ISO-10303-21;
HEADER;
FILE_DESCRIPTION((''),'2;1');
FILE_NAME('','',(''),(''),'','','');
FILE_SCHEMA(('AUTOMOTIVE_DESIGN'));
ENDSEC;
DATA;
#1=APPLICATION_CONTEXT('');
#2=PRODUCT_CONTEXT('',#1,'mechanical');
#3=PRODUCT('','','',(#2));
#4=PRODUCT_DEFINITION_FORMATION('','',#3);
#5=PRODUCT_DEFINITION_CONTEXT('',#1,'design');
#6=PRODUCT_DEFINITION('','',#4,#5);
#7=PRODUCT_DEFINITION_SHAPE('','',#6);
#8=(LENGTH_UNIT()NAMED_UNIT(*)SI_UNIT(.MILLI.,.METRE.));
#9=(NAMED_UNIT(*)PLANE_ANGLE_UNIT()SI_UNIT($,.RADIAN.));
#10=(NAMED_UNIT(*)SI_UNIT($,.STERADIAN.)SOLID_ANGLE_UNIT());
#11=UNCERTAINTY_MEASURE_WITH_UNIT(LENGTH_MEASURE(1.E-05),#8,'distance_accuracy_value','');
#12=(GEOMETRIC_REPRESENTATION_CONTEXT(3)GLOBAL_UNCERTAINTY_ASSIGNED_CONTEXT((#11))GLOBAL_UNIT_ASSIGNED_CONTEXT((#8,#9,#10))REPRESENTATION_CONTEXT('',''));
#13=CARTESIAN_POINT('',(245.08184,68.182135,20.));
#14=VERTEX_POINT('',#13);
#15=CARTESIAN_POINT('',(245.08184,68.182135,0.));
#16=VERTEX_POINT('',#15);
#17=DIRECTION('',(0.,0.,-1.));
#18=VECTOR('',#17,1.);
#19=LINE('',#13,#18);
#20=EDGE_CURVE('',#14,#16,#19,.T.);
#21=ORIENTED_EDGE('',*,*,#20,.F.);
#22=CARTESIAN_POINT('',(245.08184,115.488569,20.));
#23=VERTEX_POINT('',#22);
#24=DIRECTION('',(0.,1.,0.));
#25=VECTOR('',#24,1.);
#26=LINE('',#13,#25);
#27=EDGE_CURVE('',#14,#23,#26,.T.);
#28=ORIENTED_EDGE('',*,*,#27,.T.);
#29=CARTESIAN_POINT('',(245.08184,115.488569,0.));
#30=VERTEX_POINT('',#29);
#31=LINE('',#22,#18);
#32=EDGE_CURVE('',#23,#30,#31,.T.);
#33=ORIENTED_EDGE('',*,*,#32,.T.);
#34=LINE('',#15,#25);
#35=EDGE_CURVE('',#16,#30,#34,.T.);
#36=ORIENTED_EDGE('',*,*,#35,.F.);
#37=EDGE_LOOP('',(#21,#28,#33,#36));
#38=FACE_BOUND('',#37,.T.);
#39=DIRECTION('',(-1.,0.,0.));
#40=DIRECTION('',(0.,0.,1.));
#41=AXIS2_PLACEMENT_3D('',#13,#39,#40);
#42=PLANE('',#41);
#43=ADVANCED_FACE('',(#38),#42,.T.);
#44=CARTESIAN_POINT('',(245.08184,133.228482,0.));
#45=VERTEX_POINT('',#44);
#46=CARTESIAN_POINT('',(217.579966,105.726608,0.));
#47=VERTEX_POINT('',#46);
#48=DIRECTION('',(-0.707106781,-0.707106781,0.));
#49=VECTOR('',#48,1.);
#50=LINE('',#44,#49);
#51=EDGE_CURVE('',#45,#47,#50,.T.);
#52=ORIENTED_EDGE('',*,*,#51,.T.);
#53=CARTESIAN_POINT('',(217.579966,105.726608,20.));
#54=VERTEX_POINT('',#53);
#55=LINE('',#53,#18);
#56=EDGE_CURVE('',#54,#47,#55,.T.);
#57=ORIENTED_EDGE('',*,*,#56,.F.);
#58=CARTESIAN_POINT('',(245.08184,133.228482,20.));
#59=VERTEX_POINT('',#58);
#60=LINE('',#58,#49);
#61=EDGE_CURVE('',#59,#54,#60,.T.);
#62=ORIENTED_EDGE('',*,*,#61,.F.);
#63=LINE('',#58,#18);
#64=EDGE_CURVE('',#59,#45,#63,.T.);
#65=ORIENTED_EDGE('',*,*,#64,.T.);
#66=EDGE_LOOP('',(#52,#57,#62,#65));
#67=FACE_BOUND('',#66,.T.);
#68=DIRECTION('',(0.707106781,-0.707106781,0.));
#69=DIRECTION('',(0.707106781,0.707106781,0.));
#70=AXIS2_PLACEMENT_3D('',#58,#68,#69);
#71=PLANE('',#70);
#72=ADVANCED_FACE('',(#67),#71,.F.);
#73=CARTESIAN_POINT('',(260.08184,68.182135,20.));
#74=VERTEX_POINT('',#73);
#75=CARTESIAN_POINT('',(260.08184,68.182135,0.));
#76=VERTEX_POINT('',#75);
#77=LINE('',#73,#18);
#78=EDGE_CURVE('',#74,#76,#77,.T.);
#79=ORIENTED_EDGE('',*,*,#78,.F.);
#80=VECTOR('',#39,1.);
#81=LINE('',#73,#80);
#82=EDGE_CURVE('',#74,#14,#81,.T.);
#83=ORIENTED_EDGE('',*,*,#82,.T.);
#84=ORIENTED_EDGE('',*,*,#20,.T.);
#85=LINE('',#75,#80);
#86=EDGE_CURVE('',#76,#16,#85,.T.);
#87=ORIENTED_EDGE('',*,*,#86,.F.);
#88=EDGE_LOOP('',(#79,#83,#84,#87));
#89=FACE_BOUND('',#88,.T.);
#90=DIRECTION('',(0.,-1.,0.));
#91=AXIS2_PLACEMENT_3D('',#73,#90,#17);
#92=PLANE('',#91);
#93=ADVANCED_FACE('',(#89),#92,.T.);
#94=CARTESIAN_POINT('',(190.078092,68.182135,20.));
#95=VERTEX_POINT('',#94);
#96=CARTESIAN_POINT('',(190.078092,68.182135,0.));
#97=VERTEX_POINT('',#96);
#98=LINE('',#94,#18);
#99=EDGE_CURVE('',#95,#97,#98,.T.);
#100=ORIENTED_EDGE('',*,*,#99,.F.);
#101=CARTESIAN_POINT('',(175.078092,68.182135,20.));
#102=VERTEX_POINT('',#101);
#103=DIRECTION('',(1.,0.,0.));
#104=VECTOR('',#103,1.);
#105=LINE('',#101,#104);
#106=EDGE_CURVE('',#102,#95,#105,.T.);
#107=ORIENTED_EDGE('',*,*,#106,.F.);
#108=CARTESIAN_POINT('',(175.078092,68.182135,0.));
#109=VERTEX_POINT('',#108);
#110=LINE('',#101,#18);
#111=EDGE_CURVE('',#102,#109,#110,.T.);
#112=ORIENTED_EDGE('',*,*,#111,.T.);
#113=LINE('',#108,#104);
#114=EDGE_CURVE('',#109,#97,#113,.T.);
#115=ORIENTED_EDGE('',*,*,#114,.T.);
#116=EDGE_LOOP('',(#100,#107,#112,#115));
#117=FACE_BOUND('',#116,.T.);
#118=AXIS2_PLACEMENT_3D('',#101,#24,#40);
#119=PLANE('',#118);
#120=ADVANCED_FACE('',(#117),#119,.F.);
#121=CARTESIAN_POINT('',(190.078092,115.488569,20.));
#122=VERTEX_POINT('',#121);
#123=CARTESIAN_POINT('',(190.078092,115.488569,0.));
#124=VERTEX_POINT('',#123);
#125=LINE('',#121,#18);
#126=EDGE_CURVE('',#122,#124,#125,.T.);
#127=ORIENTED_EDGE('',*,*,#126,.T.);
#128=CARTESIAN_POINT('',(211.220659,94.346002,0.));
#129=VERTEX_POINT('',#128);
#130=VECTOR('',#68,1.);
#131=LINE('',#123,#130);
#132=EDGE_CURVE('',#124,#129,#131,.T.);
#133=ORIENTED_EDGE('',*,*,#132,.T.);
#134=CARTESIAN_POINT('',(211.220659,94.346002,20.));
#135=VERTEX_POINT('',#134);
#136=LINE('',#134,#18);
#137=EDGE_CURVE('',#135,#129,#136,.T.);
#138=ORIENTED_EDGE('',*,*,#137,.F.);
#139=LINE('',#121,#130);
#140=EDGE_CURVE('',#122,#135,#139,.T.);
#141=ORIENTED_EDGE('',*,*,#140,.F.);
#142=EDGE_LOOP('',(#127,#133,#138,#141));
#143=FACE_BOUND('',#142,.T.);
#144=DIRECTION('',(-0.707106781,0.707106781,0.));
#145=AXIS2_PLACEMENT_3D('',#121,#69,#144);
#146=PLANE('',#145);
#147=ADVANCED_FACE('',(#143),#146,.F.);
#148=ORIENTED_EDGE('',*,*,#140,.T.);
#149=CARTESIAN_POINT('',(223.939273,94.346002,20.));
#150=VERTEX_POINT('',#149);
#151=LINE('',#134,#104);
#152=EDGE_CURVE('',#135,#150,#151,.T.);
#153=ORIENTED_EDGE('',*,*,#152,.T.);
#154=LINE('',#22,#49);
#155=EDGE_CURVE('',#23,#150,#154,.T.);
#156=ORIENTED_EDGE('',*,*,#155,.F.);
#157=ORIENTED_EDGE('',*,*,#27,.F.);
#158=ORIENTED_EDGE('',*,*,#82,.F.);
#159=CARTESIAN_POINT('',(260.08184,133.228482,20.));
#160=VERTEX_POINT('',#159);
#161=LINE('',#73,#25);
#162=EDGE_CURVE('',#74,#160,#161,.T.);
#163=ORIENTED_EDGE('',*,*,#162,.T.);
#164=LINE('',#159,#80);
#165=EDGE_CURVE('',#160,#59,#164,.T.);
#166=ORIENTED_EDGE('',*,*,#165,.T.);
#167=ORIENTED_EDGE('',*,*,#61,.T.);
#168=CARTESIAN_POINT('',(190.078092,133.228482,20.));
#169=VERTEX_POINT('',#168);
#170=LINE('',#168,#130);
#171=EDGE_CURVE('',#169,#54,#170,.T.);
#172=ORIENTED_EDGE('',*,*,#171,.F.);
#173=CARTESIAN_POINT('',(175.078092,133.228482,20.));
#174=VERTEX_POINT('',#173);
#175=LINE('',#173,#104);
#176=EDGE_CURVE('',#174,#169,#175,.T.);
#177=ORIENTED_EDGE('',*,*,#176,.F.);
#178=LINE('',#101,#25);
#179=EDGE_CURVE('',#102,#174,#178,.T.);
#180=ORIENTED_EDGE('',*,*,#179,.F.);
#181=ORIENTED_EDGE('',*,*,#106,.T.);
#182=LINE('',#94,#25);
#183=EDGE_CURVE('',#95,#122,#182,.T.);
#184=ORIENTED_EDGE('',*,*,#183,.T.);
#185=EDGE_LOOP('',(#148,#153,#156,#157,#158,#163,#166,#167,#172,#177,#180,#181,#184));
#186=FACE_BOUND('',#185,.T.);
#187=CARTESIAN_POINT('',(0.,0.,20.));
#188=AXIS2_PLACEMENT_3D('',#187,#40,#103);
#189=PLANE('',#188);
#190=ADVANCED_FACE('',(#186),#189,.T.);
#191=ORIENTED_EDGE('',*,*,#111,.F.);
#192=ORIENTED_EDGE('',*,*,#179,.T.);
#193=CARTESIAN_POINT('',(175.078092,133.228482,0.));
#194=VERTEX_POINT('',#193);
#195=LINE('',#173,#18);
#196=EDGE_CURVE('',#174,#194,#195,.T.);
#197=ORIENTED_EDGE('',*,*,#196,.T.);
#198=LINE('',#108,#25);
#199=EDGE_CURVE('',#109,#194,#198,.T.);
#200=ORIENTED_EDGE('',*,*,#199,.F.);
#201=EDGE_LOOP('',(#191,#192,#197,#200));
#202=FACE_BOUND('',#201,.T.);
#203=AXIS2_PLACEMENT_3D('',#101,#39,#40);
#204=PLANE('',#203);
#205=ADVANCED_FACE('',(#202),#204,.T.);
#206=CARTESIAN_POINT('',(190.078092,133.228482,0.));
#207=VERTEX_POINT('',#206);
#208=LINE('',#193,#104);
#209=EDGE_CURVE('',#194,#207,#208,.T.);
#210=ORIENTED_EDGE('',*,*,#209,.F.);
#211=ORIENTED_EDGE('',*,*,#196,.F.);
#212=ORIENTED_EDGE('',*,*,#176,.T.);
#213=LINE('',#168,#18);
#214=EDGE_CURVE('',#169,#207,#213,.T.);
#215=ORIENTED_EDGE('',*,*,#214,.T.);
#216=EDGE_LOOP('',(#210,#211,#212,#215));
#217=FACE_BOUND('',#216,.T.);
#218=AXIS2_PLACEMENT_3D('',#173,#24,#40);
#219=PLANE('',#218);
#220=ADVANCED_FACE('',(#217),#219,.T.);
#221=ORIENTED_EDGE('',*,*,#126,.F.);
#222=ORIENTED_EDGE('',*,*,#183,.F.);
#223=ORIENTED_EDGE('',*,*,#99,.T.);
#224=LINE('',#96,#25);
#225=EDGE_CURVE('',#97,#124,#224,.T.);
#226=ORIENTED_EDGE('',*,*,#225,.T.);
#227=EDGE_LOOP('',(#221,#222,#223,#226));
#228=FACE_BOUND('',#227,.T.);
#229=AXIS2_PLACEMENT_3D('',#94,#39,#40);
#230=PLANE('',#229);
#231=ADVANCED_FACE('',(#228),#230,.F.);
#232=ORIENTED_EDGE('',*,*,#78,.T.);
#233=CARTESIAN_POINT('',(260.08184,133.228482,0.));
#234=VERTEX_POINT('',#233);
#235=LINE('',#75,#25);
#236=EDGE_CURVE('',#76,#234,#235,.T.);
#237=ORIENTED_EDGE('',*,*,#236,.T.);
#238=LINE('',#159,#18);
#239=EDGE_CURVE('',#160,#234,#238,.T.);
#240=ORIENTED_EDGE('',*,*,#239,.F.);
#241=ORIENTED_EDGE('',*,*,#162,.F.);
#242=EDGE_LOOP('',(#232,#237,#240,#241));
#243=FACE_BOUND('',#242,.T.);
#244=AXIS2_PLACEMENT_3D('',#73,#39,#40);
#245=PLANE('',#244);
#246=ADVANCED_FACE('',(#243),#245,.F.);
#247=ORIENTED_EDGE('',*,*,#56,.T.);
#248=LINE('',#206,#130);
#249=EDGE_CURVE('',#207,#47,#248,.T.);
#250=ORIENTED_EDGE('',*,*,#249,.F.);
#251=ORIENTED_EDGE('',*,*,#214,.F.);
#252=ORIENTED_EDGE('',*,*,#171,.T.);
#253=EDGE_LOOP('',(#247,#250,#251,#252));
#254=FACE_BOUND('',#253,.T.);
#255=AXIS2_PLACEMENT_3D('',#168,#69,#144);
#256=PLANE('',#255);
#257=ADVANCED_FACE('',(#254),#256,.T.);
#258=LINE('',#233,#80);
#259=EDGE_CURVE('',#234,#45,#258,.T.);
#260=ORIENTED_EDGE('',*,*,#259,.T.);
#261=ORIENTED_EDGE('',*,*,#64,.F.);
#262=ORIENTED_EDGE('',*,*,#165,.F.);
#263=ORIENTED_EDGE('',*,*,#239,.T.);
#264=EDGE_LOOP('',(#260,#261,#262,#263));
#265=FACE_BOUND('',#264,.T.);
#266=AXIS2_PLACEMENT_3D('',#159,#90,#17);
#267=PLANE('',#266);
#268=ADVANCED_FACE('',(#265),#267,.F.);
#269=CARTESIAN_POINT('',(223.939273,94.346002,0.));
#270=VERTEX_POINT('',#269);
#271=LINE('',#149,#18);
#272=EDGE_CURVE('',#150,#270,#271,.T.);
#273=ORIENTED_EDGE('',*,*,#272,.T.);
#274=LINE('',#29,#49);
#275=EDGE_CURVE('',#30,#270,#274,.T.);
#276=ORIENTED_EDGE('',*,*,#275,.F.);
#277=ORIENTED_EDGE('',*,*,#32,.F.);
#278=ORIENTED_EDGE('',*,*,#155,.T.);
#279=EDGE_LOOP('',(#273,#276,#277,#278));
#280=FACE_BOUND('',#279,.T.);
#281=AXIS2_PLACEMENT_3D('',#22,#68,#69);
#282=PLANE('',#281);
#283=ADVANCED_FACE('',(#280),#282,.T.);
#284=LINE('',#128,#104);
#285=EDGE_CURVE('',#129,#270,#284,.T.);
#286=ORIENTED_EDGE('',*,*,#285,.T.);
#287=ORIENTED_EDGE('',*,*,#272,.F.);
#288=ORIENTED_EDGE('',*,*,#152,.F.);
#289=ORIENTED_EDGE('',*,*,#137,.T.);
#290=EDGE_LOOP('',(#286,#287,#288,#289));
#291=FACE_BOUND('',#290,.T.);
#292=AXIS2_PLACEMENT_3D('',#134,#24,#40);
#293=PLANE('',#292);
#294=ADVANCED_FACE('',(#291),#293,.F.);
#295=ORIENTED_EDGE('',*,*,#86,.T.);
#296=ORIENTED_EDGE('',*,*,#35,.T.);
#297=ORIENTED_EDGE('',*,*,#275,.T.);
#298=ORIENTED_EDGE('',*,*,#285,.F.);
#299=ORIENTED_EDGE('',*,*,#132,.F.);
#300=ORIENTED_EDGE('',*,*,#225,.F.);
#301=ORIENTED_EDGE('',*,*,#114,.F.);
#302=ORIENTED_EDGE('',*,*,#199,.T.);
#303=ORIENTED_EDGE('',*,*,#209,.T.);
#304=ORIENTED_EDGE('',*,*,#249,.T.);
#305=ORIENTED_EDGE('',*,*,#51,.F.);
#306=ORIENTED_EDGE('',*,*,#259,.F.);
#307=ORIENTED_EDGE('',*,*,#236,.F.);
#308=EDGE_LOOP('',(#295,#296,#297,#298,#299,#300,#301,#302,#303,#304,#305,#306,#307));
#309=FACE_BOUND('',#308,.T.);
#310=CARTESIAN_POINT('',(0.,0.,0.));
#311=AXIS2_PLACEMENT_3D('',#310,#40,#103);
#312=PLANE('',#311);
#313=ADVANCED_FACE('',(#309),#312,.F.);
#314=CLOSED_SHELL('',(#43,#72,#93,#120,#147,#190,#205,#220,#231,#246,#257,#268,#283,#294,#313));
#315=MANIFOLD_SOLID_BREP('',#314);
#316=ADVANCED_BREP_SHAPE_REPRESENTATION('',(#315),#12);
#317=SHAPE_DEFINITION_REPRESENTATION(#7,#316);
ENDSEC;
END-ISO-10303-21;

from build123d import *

# Parameters (mm, degrees)
BOSS_EXTRUDE1_DEPTH = 20


with BuildPart() as part:
    # Sketch1 → Boss-Extrude1 (new body)
    with BuildSketch(Plane.XY):
        Polygon((175.078092116, 68.182135251), (175.078092116, 133.228481614), (190.078092116, 133.228481614), (217.57996616, 105.72660757), (245.081840203, 133.228481614), (260.081840203, 133.228481614), (260.081840203, 68.182135251), (245.081840203, 68.182135251), (245.081840203, 115.488568969), (223.939272913, 94.346001679), (211.220659406, 94.346001679), (190.078092116, 115.488568969), (190.078092116, 68.182135251), align=None)
    extrude(amount=BOSS_EXTRUDE1_DEPTH)


solid = part.part
